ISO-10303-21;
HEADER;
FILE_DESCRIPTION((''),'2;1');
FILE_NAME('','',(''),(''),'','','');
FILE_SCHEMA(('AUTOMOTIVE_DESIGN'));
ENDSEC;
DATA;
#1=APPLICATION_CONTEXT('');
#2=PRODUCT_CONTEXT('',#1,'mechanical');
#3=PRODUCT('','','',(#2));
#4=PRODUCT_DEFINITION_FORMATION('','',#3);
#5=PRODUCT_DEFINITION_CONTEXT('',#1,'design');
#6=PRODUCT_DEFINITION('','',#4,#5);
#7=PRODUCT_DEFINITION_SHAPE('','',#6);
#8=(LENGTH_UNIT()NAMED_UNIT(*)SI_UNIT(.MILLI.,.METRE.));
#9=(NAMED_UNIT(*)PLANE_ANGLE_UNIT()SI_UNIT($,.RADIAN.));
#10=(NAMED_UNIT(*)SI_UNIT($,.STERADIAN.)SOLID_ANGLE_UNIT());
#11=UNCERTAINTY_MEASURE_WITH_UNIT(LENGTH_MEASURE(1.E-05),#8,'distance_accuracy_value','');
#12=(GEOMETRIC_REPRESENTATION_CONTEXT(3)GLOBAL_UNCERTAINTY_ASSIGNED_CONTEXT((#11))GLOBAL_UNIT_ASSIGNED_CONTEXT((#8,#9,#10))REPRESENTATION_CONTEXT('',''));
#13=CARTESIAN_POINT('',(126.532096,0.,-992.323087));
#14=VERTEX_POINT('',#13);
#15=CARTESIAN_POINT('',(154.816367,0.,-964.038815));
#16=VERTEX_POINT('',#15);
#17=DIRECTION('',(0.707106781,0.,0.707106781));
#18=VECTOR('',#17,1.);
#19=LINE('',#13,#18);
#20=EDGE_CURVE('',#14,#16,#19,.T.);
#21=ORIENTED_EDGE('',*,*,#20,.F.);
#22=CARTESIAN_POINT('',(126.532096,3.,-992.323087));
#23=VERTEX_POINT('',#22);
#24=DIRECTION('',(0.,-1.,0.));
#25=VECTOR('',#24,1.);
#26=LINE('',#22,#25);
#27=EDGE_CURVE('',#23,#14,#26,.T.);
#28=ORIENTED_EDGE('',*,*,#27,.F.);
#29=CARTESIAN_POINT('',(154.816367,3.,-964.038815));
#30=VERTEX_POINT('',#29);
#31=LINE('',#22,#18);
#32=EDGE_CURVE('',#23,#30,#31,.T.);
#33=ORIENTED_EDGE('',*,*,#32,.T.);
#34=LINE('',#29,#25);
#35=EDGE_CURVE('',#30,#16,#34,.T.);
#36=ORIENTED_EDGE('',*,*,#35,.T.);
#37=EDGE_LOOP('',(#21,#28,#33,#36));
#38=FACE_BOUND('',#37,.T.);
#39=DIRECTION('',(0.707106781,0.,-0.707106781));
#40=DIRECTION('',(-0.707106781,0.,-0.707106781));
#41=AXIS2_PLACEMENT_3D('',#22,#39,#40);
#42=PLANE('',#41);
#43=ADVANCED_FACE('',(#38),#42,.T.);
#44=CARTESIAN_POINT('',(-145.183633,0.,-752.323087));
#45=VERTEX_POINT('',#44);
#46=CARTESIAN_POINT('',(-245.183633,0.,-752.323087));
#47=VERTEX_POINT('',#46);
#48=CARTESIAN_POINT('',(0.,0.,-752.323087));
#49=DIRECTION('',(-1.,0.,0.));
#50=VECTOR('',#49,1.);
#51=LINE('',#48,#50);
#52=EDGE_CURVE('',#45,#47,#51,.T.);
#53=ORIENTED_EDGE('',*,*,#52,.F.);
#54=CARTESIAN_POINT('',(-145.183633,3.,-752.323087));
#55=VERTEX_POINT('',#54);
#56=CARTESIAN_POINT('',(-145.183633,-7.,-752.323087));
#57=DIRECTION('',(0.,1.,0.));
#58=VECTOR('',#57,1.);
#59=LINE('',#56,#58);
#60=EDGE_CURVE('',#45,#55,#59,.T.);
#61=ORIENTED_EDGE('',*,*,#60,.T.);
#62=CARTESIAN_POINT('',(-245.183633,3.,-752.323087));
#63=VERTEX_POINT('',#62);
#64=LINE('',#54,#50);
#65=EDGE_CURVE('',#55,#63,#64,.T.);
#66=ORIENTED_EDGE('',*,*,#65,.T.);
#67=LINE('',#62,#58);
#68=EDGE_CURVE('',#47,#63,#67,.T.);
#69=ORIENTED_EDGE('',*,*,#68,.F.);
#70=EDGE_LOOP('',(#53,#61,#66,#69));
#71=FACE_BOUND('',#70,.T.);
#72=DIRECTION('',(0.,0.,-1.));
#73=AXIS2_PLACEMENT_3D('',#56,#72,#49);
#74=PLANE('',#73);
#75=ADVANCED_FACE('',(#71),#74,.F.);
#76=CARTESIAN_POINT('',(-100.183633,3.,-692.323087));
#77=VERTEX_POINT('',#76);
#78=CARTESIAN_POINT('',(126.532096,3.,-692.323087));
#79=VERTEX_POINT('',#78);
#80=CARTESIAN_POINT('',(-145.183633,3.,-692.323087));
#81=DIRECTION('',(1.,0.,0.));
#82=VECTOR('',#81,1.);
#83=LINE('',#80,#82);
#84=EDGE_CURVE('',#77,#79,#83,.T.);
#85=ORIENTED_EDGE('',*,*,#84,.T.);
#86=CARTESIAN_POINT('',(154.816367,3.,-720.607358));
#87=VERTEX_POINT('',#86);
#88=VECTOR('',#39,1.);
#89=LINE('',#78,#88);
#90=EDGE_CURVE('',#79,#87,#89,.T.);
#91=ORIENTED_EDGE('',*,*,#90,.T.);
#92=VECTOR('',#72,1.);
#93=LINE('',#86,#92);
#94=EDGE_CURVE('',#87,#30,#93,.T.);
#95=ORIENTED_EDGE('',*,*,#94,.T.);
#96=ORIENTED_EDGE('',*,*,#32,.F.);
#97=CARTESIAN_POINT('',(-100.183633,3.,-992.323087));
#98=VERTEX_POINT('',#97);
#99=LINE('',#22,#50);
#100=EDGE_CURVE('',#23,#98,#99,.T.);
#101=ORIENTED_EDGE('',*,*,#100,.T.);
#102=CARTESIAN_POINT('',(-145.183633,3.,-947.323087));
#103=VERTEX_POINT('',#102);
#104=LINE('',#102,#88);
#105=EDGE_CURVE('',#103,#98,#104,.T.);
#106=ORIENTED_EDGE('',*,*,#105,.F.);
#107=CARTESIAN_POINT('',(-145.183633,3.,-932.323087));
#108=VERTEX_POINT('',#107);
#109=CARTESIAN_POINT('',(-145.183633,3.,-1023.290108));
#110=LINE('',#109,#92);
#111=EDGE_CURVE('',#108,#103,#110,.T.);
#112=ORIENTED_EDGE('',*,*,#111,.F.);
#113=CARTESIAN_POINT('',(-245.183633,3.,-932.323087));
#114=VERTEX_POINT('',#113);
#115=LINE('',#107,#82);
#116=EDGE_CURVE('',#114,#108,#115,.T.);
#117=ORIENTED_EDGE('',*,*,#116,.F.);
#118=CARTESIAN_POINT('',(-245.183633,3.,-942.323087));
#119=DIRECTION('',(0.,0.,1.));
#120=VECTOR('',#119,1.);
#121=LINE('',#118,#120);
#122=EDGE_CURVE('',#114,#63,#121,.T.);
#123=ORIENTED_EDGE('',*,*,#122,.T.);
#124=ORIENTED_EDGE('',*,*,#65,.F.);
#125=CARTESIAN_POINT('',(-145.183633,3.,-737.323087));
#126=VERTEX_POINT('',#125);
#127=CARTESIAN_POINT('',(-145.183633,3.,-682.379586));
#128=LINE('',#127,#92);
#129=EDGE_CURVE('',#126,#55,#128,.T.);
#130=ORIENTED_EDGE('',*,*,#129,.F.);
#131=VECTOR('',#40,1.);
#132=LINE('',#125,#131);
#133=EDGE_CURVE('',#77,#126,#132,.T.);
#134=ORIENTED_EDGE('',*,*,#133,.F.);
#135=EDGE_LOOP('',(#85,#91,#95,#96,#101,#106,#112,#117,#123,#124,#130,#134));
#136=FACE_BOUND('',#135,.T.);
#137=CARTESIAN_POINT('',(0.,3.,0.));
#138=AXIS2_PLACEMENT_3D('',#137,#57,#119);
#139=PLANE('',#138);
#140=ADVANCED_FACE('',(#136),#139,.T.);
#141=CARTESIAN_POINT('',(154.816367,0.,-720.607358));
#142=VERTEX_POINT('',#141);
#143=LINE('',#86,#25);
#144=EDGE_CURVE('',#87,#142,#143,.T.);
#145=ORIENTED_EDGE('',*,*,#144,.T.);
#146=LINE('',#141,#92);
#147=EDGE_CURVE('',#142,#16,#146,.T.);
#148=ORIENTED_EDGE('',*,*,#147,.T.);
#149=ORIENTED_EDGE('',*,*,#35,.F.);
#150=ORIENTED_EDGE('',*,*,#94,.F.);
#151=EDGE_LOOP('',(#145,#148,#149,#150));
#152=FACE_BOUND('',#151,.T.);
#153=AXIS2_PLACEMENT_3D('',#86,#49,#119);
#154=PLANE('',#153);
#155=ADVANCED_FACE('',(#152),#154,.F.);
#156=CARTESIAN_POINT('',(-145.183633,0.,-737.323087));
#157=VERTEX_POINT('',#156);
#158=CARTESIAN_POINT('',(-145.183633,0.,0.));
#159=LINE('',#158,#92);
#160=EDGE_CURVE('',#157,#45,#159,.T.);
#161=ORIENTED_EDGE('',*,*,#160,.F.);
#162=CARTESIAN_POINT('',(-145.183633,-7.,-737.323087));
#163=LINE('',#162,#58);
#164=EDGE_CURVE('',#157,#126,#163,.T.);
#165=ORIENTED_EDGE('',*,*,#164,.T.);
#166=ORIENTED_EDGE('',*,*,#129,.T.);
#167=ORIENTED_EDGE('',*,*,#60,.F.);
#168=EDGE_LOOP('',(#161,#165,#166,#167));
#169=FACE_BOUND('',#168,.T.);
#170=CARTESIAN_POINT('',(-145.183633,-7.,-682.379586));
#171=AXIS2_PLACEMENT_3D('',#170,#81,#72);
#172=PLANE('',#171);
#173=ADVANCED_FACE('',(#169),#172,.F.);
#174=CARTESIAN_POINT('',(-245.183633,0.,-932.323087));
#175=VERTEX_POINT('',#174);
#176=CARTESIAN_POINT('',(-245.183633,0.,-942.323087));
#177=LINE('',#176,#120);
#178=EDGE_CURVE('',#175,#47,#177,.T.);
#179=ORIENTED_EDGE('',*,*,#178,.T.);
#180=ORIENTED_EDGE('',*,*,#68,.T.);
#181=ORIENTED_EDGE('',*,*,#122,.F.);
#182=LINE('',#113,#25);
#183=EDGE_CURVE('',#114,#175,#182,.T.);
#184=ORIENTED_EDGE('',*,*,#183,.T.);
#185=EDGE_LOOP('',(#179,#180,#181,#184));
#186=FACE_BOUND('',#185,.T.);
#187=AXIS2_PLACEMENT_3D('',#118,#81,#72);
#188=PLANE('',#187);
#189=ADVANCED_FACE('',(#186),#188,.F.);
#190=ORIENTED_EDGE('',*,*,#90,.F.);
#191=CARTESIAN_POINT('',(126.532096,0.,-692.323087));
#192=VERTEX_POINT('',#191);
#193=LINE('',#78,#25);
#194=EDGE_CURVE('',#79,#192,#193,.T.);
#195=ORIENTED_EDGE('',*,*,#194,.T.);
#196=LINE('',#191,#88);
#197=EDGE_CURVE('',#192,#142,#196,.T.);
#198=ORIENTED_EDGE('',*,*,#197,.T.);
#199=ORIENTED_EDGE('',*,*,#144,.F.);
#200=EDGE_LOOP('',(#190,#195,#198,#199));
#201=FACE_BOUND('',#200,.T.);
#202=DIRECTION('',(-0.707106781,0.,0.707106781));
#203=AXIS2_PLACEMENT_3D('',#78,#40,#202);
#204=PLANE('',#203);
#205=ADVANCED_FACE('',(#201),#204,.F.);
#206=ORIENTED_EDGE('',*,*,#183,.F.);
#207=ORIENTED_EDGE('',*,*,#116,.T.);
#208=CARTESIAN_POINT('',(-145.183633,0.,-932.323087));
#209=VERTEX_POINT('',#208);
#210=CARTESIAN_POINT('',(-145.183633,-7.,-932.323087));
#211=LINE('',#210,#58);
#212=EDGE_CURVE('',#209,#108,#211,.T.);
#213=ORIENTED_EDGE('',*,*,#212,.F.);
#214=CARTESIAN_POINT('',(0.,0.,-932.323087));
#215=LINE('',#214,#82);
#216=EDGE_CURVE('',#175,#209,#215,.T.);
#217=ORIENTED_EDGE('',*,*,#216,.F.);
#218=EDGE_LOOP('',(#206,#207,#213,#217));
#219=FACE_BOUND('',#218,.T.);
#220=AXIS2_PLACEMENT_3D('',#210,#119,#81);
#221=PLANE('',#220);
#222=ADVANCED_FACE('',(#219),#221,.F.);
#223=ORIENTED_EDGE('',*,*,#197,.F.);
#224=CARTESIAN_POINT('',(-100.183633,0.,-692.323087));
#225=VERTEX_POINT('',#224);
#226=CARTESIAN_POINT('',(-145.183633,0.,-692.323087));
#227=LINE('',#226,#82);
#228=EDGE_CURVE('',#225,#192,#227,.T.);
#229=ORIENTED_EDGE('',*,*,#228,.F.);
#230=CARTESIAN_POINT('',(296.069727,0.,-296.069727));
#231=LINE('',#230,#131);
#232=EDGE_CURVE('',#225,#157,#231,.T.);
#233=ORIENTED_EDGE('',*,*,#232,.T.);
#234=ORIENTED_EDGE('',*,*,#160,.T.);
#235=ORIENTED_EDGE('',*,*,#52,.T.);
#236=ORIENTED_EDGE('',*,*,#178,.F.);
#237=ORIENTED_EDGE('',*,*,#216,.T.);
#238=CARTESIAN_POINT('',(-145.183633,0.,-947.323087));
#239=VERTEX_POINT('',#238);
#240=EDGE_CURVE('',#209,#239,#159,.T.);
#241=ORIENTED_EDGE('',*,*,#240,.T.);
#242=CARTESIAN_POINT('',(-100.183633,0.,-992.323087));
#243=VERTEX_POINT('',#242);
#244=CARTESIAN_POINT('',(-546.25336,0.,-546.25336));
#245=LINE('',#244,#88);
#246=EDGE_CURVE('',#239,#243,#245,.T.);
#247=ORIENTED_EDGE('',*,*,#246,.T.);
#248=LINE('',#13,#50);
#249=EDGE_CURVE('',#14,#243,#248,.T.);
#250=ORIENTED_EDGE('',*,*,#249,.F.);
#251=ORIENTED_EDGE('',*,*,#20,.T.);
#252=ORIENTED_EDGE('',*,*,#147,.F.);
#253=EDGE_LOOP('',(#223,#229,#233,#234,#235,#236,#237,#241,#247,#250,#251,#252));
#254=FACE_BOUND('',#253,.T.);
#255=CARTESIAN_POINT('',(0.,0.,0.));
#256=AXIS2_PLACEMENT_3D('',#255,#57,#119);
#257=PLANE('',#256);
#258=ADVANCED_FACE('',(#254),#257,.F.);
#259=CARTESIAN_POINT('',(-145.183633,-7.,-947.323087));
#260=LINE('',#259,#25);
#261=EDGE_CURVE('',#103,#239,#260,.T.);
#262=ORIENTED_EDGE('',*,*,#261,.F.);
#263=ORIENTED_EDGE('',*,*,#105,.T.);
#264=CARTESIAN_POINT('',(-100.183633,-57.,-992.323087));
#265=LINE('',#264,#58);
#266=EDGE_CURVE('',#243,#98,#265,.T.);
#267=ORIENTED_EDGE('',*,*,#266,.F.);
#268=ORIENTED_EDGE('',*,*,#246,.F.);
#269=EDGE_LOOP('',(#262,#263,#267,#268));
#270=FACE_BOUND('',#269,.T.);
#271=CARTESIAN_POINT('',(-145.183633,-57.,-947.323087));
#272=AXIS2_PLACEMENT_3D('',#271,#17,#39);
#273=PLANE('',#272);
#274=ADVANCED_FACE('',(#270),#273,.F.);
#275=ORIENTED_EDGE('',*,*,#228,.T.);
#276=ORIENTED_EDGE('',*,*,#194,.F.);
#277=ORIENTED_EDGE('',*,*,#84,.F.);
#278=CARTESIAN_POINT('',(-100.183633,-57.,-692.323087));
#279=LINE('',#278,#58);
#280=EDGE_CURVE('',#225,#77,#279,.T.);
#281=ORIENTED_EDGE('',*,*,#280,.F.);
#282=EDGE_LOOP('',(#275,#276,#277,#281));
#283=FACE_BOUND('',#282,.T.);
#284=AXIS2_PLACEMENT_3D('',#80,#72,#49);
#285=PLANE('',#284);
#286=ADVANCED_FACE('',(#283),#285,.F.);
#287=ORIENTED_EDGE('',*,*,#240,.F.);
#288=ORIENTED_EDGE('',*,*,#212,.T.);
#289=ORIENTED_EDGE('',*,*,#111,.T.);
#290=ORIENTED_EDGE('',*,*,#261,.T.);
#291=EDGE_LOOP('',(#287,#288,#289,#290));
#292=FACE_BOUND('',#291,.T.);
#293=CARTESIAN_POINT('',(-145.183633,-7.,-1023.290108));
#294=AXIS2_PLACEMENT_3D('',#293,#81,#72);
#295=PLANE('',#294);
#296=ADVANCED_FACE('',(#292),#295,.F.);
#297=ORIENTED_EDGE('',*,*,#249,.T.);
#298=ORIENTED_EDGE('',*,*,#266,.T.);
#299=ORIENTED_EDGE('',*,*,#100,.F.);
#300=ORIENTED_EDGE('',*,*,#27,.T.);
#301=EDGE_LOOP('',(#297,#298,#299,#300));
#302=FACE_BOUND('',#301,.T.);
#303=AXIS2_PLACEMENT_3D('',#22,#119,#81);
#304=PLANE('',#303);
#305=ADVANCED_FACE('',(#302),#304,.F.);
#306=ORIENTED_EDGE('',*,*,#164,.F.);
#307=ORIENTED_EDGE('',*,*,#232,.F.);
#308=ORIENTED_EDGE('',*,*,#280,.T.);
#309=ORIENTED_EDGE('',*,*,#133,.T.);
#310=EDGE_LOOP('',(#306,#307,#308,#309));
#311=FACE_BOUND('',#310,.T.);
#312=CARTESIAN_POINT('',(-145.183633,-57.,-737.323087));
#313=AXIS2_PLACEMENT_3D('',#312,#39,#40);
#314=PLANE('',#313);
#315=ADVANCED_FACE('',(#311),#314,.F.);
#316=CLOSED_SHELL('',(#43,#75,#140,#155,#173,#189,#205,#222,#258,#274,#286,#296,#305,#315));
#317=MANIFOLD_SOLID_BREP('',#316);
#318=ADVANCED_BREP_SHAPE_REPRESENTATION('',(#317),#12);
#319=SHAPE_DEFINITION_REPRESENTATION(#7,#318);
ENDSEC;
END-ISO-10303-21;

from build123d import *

# Parameters (mm, degrees)
BOSS_EXTRUDE1_DEPTH = 3
SKETCH3_W           = 102.374795857
SKETCH3_H           = 90.967021537
SKETCH3_W_2         = 153.648776174
SKETCH3_H_2         = 69.94350062
CUT_EXTRUDE2_DEPTH  = 10
CUT_EXTRUDE3_DEPTH  = 60


with BuildPart() as part:
    # Sketch1 → Boss-Extrude1 (new body)
    with BuildSketch(Plane(origin=(0, 0, 0), x_dir=(1, 0, 0), z_dir=(0, 1, 0))):
        Polygon((-245.183632637, 942.323086709), (-245.183632637, 742.323086709), (-145.183632637, 692.323086709), (126.532096115, 692.323086709), (154.816367363, 720.607357957), (154.816367363, 964.038815462), (126.532096115, 992.323086709), (-145.183632637, 992.323086709), align=None)
    extrude(amount=BOSS_EXTRUDE1_DEPTH)

    # Sketch3 → Cut-Extrude2 (cut)
    with BuildSketch(Plane(origin=(0, 3, 0), x_dir=(1, 0, 0), z_dir=(0, 1, 0))):
        with Locations((-196.371030566, 977.806597478)):
            Rectangle(SKETCH3_W, SKETCH3_H)
        with Locations((-222.008020724, 717.351336399)):
            Rectangle(SKETCH3_W_2, SKETCH3_H_2)
    extrude(amount=-CUT_EXTRUDE2_DEPTH, mode=Mode.SUBTRACT)

    # Sketch4 → Cut-Extrude3 (cut)
    with BuildSketch(Plane(origin=(0, 3, 0), x_dir=(1, 0, 0), z_dir=(0, 1, 0))):
        Polygon((-145.183632637, 947.323086709), (-100.183632637, 992.323086709), (-145.183632637, 992.323086709), align=None)
        Polygon((-100.183632637, 692.323086709), (-145.183632637, 692.323086709), (-145.183632637, 737.323086709), align=None)
    extrude(amount=-CUT_EXTRUDE3_DEPTH, mode=Mode.SUBTRACT)


solid = part.part
